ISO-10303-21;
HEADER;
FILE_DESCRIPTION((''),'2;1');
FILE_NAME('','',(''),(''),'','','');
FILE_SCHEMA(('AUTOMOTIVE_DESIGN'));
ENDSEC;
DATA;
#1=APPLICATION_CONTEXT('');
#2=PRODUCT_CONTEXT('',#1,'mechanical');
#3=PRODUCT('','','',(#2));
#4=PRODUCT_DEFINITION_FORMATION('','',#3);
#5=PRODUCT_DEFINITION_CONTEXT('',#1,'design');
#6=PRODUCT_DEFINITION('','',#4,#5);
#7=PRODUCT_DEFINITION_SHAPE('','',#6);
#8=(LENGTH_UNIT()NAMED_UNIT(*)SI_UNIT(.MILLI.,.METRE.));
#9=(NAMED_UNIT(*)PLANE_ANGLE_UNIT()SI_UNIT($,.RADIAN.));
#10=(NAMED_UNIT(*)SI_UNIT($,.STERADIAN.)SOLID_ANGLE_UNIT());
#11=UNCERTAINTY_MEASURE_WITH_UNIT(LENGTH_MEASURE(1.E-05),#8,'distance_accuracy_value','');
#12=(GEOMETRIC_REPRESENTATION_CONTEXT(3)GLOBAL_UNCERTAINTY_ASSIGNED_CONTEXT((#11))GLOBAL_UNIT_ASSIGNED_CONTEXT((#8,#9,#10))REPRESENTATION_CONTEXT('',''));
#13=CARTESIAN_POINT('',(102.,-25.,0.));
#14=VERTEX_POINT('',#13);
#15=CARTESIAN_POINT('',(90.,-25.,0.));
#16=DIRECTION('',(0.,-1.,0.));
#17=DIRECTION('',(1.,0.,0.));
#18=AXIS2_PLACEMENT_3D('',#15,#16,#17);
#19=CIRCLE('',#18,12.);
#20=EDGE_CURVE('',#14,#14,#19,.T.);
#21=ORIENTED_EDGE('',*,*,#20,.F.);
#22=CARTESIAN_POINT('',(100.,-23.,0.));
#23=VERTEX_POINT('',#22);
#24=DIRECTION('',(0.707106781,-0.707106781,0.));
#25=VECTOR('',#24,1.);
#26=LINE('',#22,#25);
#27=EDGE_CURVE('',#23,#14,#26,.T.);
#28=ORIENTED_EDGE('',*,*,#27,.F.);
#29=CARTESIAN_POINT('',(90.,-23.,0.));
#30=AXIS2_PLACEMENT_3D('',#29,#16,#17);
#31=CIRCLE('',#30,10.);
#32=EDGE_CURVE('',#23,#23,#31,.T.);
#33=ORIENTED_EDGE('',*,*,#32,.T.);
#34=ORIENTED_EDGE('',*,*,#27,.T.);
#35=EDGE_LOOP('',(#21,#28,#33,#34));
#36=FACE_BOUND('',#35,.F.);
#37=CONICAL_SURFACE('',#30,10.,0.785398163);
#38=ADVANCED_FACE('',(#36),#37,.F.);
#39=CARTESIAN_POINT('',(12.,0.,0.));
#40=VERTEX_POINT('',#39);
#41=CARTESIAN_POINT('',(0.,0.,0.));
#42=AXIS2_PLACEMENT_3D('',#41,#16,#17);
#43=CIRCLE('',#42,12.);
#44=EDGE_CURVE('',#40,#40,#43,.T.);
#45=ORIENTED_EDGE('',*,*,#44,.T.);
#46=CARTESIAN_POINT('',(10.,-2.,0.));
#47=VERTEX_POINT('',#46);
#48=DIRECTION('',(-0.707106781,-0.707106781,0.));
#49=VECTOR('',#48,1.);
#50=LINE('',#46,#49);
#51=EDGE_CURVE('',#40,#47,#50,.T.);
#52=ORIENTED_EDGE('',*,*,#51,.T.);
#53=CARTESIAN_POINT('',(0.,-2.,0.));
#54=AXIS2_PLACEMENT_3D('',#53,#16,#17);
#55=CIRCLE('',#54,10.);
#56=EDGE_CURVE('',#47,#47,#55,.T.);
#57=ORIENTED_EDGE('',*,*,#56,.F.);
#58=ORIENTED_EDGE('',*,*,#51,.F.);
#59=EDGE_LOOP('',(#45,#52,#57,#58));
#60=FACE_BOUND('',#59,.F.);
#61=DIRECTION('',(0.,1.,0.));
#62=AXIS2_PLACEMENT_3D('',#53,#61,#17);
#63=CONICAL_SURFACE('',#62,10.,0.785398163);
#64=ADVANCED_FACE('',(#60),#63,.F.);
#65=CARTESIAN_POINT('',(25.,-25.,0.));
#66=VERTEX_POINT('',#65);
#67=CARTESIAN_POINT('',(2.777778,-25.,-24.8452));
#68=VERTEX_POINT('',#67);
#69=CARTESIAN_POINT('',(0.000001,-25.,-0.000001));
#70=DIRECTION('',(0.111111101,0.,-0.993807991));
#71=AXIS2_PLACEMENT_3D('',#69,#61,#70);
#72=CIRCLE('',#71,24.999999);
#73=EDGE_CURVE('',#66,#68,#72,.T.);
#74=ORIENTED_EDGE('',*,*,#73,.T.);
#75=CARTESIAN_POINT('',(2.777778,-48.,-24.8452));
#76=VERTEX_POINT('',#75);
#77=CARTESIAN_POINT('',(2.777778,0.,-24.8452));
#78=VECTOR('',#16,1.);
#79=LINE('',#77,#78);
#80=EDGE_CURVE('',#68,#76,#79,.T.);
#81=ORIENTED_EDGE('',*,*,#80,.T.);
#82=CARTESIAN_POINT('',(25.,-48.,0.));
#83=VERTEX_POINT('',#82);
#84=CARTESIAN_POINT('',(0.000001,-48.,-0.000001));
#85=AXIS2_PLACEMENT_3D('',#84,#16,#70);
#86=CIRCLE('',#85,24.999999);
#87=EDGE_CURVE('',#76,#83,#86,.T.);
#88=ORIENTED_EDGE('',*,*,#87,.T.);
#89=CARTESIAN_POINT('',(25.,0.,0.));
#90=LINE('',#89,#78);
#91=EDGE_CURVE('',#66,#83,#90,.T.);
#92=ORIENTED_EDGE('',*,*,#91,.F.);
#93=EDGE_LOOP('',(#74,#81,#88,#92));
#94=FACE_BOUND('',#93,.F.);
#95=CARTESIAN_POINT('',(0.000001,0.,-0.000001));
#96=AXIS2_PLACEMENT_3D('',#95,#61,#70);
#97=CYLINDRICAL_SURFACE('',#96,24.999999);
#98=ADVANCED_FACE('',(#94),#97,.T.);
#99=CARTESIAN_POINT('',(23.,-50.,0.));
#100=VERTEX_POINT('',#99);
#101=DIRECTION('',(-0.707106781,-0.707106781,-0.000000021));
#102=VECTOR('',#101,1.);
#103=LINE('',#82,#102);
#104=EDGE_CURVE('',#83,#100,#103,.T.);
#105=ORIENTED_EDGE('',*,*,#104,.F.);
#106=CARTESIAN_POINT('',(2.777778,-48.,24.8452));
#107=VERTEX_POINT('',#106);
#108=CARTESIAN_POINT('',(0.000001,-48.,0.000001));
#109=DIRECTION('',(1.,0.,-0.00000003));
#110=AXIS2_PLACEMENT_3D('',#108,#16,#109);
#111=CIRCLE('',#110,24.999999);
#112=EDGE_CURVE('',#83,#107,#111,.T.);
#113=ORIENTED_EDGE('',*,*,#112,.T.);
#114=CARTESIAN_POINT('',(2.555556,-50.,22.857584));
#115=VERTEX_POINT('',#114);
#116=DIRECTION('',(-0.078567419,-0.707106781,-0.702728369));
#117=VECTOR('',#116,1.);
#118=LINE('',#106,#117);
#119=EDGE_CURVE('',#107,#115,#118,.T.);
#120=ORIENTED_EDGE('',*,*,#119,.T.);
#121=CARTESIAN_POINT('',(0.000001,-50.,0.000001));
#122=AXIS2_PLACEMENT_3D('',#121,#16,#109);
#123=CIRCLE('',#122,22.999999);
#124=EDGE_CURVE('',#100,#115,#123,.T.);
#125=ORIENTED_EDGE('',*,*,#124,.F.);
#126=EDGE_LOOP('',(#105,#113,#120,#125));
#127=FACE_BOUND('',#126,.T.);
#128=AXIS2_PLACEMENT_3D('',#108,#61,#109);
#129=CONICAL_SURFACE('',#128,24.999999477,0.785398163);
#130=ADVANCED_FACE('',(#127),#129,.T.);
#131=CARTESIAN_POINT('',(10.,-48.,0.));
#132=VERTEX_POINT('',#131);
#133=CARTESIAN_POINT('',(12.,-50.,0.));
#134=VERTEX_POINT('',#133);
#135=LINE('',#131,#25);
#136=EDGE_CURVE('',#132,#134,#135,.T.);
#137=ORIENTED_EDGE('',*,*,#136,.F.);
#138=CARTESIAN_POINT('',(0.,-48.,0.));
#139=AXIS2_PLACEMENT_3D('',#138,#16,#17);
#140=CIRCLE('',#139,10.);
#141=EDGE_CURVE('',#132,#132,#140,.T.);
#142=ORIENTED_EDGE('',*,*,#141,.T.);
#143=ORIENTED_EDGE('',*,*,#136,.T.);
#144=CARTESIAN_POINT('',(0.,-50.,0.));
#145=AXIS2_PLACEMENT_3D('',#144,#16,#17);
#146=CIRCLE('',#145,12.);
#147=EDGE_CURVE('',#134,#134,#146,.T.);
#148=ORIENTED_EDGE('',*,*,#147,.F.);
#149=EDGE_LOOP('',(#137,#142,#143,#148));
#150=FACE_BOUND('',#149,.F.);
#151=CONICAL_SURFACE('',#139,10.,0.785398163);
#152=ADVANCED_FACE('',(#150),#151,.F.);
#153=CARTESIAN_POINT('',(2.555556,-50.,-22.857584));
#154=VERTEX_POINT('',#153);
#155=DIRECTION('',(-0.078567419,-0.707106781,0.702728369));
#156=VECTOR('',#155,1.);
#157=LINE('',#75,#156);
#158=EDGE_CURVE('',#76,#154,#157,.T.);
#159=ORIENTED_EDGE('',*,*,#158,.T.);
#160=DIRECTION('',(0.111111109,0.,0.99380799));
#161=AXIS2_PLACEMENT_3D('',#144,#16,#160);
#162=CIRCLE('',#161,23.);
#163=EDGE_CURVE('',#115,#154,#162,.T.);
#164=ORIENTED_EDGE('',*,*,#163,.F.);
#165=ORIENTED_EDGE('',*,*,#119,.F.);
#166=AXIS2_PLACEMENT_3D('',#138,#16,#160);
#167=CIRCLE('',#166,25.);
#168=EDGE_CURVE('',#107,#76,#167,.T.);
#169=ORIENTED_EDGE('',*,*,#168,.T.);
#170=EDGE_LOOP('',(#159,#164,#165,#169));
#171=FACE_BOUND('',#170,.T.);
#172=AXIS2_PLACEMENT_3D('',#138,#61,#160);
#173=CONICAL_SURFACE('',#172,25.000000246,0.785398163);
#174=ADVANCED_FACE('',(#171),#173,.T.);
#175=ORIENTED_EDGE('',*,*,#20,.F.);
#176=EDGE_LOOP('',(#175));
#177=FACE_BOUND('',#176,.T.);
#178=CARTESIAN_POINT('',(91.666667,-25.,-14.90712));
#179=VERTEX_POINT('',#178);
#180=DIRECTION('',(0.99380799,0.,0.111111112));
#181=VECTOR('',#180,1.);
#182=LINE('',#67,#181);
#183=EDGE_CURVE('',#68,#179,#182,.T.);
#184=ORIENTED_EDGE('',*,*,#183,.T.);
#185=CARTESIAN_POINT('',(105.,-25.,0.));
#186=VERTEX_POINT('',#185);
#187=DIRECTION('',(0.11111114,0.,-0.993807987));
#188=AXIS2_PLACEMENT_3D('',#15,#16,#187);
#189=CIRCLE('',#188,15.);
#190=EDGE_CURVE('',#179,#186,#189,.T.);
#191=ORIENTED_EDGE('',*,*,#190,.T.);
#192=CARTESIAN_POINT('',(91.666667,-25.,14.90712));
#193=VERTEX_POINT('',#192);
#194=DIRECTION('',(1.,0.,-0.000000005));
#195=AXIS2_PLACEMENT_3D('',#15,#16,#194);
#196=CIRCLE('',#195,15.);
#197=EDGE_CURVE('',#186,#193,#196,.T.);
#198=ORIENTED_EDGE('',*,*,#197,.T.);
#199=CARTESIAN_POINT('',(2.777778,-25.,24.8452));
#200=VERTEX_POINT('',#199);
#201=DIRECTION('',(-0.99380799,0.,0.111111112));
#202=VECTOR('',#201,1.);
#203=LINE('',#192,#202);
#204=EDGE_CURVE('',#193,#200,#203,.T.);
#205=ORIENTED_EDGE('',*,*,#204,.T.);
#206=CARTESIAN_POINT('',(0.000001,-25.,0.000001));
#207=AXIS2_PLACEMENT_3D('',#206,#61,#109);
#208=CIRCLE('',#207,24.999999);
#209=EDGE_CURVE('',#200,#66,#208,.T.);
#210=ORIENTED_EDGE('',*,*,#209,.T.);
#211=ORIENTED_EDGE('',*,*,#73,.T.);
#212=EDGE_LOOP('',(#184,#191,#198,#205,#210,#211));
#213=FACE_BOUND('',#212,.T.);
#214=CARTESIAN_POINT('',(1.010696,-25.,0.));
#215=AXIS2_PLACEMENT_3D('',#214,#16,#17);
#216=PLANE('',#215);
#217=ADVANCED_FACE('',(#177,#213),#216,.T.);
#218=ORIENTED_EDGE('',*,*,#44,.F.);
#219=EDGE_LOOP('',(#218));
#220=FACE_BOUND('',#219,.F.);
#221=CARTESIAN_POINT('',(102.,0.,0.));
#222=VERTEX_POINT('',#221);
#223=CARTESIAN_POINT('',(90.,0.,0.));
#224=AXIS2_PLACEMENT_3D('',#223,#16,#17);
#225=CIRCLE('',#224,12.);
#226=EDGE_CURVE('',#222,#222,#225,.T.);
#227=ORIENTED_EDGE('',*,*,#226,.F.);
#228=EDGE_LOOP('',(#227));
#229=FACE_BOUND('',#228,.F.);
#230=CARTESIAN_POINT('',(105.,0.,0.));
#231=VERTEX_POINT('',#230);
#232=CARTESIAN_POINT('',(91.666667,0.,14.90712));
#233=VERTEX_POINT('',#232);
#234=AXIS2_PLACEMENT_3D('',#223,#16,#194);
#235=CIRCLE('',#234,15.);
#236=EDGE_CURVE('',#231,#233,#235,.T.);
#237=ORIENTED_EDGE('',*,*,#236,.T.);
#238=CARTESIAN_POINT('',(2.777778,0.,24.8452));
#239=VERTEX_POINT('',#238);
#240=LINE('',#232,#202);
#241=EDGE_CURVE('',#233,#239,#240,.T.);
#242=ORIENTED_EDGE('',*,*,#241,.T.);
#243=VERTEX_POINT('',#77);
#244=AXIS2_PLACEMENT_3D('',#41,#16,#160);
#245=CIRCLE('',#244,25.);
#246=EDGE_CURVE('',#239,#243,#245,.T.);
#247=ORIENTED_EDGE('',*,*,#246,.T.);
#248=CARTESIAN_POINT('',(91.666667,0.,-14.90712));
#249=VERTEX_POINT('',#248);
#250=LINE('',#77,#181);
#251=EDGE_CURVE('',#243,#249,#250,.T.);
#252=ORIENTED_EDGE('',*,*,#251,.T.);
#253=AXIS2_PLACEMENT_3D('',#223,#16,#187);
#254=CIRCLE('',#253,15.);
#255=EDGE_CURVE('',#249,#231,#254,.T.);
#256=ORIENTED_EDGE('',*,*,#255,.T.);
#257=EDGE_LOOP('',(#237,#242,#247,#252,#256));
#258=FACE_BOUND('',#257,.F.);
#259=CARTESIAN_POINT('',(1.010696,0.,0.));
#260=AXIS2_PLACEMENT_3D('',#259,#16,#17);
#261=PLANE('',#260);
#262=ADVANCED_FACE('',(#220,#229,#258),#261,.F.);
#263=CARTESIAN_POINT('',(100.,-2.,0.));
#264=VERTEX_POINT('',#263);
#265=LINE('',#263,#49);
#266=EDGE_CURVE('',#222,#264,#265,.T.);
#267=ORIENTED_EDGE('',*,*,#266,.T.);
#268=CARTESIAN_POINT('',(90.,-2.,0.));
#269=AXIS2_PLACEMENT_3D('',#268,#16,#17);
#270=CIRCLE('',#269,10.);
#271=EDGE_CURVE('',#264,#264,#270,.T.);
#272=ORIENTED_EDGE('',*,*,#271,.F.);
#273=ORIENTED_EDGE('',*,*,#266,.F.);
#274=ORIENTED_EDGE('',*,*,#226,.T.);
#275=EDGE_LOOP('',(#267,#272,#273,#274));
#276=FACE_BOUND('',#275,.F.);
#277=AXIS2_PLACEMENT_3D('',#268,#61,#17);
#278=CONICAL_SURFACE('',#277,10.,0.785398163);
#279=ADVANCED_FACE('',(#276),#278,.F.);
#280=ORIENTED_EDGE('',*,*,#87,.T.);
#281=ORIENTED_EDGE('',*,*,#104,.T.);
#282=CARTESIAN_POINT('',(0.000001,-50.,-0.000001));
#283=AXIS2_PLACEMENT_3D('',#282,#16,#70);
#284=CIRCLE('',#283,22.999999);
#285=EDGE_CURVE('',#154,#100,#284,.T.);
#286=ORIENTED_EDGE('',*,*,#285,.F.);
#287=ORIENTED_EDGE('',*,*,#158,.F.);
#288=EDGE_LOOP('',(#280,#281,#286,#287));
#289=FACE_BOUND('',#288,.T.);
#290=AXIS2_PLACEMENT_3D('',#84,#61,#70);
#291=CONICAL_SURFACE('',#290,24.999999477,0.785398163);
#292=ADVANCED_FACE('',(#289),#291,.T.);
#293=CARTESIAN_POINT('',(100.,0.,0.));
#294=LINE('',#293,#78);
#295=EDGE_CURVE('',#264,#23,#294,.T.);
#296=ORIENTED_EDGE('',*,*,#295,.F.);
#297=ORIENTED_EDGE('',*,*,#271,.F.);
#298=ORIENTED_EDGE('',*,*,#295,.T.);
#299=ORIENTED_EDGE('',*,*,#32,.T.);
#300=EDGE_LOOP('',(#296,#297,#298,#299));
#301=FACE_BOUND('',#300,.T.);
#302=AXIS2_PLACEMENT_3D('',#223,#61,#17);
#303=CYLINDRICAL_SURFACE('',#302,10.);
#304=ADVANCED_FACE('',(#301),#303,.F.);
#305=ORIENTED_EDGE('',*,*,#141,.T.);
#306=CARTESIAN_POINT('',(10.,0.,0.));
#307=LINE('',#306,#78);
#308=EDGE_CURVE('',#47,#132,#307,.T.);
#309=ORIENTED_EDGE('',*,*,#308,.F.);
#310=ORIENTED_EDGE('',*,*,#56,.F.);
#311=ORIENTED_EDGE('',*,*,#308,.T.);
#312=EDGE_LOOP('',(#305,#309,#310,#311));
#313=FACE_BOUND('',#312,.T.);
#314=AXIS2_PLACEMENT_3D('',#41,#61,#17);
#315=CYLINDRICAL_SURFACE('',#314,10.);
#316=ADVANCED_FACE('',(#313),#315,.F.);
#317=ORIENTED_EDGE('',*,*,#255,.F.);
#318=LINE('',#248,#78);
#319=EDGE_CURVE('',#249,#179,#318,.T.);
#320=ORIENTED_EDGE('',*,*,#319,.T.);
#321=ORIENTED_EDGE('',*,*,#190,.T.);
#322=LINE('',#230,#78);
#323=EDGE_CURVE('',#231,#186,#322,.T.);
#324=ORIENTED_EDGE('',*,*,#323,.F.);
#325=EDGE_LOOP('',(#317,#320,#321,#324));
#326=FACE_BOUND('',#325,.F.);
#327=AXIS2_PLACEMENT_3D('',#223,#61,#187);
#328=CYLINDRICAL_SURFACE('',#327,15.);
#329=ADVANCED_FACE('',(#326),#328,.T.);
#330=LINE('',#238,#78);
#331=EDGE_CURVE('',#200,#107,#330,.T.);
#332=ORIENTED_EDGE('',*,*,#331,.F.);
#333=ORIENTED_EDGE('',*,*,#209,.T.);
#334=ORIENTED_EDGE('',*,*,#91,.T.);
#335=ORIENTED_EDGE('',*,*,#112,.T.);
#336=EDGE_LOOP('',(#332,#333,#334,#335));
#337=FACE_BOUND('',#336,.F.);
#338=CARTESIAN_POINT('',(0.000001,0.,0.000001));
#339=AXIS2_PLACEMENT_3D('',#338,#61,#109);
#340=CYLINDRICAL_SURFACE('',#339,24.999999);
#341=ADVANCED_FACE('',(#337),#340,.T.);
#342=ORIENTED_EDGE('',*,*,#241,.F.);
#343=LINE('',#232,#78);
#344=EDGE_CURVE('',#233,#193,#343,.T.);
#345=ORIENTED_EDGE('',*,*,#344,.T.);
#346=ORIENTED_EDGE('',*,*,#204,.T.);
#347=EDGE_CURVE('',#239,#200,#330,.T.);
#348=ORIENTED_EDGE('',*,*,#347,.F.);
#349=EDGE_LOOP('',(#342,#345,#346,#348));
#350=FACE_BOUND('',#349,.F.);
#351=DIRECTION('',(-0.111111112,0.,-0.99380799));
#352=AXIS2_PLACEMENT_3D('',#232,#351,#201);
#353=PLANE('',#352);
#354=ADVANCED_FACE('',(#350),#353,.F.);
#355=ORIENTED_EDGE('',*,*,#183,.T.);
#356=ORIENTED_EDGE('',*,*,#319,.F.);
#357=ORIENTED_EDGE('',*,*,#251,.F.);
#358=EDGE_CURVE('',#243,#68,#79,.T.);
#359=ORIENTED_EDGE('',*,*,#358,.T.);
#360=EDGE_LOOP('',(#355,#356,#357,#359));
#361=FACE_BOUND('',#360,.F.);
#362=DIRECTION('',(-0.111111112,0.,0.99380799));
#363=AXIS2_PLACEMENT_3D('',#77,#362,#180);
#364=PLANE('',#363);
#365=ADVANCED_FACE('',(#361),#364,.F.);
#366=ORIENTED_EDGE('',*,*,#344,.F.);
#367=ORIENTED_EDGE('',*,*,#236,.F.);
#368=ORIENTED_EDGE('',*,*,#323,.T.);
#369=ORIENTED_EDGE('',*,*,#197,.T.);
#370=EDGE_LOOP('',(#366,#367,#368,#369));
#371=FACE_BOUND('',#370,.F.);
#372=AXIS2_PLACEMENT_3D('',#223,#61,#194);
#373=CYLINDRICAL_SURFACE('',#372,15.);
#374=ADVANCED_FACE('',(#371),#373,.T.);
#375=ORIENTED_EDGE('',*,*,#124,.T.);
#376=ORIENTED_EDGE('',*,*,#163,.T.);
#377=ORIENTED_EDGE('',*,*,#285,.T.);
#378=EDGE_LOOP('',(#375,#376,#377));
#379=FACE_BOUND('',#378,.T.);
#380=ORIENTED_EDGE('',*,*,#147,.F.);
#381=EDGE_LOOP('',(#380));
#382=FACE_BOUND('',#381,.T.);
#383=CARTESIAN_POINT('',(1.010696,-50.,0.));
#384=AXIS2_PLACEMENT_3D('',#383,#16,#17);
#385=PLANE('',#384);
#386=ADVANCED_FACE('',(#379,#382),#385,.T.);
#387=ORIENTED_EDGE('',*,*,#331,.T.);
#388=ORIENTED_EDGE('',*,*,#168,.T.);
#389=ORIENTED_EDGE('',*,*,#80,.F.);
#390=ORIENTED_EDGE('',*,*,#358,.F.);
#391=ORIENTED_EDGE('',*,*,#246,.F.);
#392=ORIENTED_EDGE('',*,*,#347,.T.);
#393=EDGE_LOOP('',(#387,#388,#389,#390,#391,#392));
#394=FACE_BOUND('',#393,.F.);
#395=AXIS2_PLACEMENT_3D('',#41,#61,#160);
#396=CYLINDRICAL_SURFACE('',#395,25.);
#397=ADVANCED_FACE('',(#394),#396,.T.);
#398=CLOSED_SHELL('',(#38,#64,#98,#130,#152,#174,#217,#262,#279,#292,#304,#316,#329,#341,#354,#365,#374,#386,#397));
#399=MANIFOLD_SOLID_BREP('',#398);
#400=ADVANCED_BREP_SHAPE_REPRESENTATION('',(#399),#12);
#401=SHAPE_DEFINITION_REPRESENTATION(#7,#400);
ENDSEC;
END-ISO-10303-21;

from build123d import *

# Parameters (mm, degrees)
F0_R     = 10
F1_DEPTH = 25
F2_DEPTH = 50
F3_SIZE  = 2


with BuildPart() as f1:
    # F0 (on Front) → F1 (new body)
    with BuildSketch(Plane.XZ):
        with BuildLine():
            ThreePointArc((2.777778, -24.8452), (18.6339, -16.666667), (25, 0))
            ThreePointArc((25, 0), (18.6339, 16.666667), (2.777778, 24.8452))
            ThreePointArc((2.777778, 24.8452), (-25, 0), (2.777778, -24.8452))
        make_face()
        Circle(F0_R, mode=Mode.SUBTRACT)
        with BuildLine():
            ThreePointArc((2.777778, 24.8452), (18.6339, 16.666667), (25, 0))
            ThreePointArc((25, 0), (18.6339, -16.666667), (2.777778, -24.8452))
            Line((2.777778, -24.8452), (91.666667, -14.90712))
            ThreePointArc((91.666667, -14.90712), (75, 0), (91.666667, 14.90712))
            Line((91.666667, 14.90712), (2.777778, 24.8452))
        make_face()
        with BuildLine():
            ThreePointArc((105, 0), (101.18034, 10), (91.666667, 14.90712))
            ThreePointArc((91.666667, 14.90712), (75, 0), (91.666667, -14.90712))
            ThreePointArc((91.666667, -14.90712), (101.18034, -10), (105, 0))
        make_face()
        with Locations((90, 0)):
            Circle(F0_R, mode=Mode.SUBTRACT)
    extrude(amount=F1_DEPTH)

    # F0 (on Front) → F2 (join)
    with BuildSketch(Plane.XZ):
        with BuildLine():
            ThreePointArc((2.777778, -24.8452), (18.6339, -16.666667), (25, 0))
            ThreePointArc((25, 0), (18.6339, 16.666667), (2.777778, 24.8452))
            ThreePointArc((2.777778, 24.8452), (-25, 0), (2.777778, -24.8452))
        make_face()
        Circle(F0_R, mode=Mode.SUBTRACT)
    extrude(amount=F2_DEPTH)

    # F3
    f3_edges = [f1.edges().sort_by_distance(p)[0] for p in [
        (-10, -50, 0),
        (-10, 0, 0),
        (-2.777778, -50, 24.8452),
        (80, 0, 0),
        (80, -25, 0),
    ]]
    chamfer(f3_edges, length=F3_SIZE)


solid = f1.part
